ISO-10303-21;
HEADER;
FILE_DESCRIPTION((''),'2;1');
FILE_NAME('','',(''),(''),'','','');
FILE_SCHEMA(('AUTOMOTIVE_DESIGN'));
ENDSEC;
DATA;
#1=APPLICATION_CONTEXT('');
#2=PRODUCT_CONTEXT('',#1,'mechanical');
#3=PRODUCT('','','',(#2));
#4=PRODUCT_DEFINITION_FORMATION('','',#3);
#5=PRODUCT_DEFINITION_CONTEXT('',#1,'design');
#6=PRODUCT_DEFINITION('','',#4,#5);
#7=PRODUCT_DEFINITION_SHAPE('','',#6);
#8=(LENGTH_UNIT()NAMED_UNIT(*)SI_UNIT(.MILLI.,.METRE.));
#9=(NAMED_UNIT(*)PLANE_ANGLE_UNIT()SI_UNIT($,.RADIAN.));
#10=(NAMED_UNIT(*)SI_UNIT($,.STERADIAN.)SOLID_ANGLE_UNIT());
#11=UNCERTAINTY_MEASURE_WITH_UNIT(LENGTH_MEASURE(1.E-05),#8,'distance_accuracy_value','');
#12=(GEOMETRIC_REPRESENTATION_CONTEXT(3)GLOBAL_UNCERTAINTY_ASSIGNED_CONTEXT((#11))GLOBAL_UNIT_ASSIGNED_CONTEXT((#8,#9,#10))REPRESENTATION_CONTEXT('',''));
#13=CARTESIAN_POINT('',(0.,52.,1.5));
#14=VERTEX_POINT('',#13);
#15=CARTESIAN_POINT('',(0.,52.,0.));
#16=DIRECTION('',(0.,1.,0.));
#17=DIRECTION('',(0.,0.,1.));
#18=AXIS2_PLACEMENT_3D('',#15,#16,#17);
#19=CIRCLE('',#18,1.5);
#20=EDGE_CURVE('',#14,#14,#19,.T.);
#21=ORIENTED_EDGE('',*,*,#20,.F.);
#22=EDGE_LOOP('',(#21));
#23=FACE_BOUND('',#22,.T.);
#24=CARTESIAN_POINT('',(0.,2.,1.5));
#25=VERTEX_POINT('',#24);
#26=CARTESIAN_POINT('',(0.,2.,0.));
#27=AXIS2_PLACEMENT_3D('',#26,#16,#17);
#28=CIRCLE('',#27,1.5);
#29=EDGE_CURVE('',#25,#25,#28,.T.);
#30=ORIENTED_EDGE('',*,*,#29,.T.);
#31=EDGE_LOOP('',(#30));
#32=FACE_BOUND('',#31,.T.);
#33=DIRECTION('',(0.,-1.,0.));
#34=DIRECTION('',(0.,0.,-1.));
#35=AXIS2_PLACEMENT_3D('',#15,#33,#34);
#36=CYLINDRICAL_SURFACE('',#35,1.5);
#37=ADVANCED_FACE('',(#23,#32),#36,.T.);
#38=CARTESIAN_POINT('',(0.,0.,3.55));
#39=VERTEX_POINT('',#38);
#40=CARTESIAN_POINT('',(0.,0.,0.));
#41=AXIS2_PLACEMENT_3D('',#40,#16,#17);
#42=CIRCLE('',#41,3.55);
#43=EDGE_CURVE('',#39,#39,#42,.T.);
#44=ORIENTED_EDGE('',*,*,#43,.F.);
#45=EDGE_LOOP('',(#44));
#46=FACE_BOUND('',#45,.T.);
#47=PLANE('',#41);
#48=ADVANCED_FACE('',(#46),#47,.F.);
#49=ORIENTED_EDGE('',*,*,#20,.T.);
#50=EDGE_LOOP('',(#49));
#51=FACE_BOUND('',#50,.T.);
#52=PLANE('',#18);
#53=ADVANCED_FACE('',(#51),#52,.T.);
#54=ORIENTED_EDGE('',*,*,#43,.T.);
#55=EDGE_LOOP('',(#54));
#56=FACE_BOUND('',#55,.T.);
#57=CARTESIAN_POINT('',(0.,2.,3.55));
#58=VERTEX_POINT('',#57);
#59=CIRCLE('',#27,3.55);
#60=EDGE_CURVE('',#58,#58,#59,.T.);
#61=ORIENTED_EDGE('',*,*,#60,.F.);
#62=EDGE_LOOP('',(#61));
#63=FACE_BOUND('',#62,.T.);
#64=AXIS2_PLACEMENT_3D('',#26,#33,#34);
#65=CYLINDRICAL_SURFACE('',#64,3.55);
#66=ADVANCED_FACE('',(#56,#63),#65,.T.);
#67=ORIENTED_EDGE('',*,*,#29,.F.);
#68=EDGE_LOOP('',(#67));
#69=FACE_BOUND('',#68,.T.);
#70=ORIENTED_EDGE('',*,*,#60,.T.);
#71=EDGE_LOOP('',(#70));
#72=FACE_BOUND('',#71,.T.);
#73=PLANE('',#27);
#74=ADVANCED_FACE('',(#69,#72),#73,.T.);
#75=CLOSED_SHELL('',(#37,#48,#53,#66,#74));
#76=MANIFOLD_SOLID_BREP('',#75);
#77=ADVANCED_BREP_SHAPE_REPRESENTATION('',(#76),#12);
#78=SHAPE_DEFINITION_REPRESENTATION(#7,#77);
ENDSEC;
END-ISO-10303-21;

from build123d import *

# Parameters (mm, degrees)
SKETCH_1_R      = 3.55
EXTRUDE_1_DEPTH = 2
SKETCH_2_R      = 1.5
EXTRUDE_2_DEPTH = 50


with BuildPart() as part:
    # 草图1 → 凸台-拉伸1 (new body)
    with BuildSketch(Plane(origin=(0, 0, 0), x_dir=(1, 0, 0), z_dir=(0, 1, 0))):
        Circle(SKETCH_1_R)
    extrude(amount=EXTRUDE_1_DEPTH)

    # 草图2 → 凸台-拉伸2 (add)
    with BuildSketch(Plane(origin=(0, 2, 0), x_dir=(1, 0, 0), z_dir=(0, 1, 0))):
        Circle(SKETCH_2_R)
    extrude(amount=EXTRUDE_2_DEPTH)


solid = part.part
